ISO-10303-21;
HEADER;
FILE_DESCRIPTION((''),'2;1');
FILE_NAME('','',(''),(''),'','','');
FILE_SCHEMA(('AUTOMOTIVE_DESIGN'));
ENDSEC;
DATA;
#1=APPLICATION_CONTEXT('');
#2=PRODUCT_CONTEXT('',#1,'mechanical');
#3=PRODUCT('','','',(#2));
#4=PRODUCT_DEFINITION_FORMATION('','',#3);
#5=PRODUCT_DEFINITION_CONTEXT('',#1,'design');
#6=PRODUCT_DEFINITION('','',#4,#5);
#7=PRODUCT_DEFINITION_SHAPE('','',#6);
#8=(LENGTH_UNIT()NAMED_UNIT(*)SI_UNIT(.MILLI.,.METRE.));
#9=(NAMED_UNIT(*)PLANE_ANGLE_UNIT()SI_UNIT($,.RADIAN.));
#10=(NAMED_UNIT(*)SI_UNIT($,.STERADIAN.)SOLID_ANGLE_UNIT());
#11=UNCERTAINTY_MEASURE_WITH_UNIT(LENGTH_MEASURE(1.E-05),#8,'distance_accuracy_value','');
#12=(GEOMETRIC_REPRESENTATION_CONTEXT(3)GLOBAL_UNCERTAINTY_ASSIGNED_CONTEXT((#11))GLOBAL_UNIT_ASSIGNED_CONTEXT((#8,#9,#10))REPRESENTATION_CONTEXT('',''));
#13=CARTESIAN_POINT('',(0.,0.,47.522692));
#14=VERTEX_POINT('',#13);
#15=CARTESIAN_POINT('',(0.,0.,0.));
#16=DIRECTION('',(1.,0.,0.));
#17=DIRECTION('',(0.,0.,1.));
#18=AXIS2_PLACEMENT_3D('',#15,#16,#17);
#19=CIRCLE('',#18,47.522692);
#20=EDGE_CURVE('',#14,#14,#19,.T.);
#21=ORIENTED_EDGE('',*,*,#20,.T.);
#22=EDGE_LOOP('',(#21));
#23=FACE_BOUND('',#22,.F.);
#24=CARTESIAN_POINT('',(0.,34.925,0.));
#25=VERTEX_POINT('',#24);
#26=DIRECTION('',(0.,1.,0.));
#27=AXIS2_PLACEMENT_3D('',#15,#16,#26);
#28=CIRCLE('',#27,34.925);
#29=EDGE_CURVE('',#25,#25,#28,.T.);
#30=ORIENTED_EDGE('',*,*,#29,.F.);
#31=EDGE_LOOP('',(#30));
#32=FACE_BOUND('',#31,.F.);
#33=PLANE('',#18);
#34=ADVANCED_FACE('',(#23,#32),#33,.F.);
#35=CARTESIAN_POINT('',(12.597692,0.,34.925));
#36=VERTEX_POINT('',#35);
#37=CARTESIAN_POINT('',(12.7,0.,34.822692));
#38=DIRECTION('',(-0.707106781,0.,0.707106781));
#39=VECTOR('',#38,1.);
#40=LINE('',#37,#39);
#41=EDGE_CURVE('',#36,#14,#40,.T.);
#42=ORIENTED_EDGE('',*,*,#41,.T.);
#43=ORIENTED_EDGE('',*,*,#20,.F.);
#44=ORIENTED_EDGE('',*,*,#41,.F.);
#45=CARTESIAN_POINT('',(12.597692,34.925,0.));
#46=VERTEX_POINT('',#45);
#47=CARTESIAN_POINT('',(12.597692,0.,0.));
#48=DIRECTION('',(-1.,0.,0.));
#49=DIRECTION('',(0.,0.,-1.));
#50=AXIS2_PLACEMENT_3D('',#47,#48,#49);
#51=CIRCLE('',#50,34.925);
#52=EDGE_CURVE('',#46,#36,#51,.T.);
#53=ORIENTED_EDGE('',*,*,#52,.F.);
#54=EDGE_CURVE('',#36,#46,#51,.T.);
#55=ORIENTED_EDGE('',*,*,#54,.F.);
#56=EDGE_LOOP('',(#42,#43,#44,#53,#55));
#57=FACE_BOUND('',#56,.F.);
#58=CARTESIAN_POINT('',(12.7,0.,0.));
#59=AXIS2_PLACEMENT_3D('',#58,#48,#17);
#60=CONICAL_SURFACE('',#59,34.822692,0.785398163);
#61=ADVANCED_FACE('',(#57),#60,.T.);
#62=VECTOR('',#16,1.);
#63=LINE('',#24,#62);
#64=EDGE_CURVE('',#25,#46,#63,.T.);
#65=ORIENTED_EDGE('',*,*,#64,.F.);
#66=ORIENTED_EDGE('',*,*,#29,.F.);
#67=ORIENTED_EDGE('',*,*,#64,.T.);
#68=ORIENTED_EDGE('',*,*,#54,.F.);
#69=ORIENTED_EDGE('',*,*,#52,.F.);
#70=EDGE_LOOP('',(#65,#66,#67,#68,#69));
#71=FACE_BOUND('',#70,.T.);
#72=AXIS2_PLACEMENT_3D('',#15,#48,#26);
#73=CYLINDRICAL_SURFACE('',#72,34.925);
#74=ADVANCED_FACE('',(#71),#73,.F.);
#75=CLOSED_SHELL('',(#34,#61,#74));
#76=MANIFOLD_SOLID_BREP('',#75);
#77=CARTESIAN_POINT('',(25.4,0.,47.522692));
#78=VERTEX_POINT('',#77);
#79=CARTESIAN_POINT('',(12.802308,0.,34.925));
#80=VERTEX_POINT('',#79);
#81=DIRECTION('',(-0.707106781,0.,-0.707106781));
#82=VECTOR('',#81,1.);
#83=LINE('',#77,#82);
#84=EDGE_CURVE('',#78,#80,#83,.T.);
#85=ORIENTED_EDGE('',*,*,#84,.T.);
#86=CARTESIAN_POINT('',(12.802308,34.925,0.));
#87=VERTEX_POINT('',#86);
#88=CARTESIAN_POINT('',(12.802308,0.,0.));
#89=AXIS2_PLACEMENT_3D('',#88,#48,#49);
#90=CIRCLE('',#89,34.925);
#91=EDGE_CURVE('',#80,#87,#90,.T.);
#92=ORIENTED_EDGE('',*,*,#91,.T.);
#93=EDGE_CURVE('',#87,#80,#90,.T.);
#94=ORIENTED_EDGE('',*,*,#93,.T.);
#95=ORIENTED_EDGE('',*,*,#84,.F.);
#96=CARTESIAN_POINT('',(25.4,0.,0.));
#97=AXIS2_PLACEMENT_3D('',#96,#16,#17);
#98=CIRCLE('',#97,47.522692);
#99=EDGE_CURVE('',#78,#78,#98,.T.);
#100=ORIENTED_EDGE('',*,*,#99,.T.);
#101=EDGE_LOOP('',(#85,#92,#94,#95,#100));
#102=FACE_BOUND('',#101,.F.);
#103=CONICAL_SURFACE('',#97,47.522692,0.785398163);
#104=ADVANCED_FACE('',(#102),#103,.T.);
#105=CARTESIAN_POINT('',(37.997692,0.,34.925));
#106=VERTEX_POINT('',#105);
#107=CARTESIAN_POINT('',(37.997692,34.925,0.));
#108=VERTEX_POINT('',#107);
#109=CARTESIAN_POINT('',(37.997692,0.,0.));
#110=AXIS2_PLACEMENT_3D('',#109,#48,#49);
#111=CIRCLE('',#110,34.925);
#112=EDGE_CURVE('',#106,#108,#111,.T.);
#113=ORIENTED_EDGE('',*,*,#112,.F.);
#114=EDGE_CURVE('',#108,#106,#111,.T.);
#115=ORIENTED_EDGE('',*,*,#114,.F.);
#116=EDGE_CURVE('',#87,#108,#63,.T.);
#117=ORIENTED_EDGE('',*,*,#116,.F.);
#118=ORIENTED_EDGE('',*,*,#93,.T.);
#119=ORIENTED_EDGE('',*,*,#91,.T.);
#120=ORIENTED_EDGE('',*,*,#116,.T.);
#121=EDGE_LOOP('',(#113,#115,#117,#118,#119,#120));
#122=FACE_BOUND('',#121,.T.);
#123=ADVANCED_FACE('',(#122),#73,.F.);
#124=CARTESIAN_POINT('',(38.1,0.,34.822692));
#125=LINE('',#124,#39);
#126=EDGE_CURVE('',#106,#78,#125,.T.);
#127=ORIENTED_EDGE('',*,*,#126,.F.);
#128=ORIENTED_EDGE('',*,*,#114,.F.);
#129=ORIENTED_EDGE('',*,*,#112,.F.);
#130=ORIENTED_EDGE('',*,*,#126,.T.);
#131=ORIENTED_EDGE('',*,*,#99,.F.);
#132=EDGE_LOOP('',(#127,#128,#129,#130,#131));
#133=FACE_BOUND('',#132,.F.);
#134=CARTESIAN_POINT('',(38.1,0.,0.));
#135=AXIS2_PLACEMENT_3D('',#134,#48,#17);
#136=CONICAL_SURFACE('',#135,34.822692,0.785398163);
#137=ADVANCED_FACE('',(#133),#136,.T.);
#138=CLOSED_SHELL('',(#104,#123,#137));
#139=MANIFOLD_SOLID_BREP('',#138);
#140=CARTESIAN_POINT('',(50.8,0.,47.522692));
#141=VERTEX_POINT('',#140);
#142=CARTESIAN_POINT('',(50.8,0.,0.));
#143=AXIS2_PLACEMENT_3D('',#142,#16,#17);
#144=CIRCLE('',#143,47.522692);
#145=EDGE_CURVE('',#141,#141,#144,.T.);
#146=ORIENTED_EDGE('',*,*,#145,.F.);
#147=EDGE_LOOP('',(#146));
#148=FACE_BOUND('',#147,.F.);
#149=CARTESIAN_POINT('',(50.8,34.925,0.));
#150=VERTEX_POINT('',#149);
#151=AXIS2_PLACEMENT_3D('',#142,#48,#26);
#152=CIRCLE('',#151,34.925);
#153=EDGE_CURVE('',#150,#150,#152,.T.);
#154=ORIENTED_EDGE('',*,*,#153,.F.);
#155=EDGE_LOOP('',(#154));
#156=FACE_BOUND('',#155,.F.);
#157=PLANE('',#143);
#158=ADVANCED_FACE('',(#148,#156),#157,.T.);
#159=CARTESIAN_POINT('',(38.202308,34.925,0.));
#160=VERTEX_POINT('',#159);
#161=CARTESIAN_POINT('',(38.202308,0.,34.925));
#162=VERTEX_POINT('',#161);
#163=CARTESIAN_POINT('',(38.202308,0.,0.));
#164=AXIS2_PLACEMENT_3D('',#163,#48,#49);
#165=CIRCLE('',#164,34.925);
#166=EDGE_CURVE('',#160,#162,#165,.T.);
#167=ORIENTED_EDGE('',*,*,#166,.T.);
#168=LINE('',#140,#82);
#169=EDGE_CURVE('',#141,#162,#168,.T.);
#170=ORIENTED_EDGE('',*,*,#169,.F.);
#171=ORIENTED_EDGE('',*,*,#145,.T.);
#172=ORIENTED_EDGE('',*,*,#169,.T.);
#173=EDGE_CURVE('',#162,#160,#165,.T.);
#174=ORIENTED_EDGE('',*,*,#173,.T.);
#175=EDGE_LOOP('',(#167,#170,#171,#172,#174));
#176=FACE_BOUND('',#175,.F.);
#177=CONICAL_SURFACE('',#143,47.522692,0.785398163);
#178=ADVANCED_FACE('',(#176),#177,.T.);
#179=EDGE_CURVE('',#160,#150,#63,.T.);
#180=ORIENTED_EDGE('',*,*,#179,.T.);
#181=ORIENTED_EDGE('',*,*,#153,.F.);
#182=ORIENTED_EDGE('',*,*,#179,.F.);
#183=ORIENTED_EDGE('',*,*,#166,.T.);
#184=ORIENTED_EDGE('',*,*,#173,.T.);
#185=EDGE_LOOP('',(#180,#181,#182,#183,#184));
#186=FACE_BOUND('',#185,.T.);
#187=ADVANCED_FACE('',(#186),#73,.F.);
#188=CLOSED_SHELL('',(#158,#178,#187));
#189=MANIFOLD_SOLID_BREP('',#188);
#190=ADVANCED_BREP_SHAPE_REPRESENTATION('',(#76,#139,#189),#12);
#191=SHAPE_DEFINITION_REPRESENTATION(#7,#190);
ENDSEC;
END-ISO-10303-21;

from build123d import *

# Parameters (mm, degrees)
F2_R     = 34.925
F2_R_2   = 12.7
F3_DEPTH = 50.801


with BuildPart() as f1:
    # F0 (on Front) → F1 (revolve)
    with BuildSketch(Plane.XZ):
        Polygon((0, 47.522692), (0, 22.122692), (12.7, 22.122692), (12.7, 34.822692), align=None)
        Polygon((12.7, 34.822692), (12.7, 22.122692), (38.1, 22.122692), (38.1, 34.822692), (25.4, 47.522692), align=None)
        Polygon((38.1, 34.822692), (38.1, 22.122692), (50.8, 22.122692), (50.8, 47.522692), align=None)
    revolve(axis=Axis((52.286177, 0, 0), (1, 0, 0)))

    # F2 (on Right) → F3 (cut, through all)
    with BuildSketch(Plane.YZ):
        Circle(F2_R)
        Circle(F2_R_2, mode=Mode.SUBTRACT)
    extrude(amount=F3_DEPTH, mode=Mode.SUBTRACT)


solid = f1.part
